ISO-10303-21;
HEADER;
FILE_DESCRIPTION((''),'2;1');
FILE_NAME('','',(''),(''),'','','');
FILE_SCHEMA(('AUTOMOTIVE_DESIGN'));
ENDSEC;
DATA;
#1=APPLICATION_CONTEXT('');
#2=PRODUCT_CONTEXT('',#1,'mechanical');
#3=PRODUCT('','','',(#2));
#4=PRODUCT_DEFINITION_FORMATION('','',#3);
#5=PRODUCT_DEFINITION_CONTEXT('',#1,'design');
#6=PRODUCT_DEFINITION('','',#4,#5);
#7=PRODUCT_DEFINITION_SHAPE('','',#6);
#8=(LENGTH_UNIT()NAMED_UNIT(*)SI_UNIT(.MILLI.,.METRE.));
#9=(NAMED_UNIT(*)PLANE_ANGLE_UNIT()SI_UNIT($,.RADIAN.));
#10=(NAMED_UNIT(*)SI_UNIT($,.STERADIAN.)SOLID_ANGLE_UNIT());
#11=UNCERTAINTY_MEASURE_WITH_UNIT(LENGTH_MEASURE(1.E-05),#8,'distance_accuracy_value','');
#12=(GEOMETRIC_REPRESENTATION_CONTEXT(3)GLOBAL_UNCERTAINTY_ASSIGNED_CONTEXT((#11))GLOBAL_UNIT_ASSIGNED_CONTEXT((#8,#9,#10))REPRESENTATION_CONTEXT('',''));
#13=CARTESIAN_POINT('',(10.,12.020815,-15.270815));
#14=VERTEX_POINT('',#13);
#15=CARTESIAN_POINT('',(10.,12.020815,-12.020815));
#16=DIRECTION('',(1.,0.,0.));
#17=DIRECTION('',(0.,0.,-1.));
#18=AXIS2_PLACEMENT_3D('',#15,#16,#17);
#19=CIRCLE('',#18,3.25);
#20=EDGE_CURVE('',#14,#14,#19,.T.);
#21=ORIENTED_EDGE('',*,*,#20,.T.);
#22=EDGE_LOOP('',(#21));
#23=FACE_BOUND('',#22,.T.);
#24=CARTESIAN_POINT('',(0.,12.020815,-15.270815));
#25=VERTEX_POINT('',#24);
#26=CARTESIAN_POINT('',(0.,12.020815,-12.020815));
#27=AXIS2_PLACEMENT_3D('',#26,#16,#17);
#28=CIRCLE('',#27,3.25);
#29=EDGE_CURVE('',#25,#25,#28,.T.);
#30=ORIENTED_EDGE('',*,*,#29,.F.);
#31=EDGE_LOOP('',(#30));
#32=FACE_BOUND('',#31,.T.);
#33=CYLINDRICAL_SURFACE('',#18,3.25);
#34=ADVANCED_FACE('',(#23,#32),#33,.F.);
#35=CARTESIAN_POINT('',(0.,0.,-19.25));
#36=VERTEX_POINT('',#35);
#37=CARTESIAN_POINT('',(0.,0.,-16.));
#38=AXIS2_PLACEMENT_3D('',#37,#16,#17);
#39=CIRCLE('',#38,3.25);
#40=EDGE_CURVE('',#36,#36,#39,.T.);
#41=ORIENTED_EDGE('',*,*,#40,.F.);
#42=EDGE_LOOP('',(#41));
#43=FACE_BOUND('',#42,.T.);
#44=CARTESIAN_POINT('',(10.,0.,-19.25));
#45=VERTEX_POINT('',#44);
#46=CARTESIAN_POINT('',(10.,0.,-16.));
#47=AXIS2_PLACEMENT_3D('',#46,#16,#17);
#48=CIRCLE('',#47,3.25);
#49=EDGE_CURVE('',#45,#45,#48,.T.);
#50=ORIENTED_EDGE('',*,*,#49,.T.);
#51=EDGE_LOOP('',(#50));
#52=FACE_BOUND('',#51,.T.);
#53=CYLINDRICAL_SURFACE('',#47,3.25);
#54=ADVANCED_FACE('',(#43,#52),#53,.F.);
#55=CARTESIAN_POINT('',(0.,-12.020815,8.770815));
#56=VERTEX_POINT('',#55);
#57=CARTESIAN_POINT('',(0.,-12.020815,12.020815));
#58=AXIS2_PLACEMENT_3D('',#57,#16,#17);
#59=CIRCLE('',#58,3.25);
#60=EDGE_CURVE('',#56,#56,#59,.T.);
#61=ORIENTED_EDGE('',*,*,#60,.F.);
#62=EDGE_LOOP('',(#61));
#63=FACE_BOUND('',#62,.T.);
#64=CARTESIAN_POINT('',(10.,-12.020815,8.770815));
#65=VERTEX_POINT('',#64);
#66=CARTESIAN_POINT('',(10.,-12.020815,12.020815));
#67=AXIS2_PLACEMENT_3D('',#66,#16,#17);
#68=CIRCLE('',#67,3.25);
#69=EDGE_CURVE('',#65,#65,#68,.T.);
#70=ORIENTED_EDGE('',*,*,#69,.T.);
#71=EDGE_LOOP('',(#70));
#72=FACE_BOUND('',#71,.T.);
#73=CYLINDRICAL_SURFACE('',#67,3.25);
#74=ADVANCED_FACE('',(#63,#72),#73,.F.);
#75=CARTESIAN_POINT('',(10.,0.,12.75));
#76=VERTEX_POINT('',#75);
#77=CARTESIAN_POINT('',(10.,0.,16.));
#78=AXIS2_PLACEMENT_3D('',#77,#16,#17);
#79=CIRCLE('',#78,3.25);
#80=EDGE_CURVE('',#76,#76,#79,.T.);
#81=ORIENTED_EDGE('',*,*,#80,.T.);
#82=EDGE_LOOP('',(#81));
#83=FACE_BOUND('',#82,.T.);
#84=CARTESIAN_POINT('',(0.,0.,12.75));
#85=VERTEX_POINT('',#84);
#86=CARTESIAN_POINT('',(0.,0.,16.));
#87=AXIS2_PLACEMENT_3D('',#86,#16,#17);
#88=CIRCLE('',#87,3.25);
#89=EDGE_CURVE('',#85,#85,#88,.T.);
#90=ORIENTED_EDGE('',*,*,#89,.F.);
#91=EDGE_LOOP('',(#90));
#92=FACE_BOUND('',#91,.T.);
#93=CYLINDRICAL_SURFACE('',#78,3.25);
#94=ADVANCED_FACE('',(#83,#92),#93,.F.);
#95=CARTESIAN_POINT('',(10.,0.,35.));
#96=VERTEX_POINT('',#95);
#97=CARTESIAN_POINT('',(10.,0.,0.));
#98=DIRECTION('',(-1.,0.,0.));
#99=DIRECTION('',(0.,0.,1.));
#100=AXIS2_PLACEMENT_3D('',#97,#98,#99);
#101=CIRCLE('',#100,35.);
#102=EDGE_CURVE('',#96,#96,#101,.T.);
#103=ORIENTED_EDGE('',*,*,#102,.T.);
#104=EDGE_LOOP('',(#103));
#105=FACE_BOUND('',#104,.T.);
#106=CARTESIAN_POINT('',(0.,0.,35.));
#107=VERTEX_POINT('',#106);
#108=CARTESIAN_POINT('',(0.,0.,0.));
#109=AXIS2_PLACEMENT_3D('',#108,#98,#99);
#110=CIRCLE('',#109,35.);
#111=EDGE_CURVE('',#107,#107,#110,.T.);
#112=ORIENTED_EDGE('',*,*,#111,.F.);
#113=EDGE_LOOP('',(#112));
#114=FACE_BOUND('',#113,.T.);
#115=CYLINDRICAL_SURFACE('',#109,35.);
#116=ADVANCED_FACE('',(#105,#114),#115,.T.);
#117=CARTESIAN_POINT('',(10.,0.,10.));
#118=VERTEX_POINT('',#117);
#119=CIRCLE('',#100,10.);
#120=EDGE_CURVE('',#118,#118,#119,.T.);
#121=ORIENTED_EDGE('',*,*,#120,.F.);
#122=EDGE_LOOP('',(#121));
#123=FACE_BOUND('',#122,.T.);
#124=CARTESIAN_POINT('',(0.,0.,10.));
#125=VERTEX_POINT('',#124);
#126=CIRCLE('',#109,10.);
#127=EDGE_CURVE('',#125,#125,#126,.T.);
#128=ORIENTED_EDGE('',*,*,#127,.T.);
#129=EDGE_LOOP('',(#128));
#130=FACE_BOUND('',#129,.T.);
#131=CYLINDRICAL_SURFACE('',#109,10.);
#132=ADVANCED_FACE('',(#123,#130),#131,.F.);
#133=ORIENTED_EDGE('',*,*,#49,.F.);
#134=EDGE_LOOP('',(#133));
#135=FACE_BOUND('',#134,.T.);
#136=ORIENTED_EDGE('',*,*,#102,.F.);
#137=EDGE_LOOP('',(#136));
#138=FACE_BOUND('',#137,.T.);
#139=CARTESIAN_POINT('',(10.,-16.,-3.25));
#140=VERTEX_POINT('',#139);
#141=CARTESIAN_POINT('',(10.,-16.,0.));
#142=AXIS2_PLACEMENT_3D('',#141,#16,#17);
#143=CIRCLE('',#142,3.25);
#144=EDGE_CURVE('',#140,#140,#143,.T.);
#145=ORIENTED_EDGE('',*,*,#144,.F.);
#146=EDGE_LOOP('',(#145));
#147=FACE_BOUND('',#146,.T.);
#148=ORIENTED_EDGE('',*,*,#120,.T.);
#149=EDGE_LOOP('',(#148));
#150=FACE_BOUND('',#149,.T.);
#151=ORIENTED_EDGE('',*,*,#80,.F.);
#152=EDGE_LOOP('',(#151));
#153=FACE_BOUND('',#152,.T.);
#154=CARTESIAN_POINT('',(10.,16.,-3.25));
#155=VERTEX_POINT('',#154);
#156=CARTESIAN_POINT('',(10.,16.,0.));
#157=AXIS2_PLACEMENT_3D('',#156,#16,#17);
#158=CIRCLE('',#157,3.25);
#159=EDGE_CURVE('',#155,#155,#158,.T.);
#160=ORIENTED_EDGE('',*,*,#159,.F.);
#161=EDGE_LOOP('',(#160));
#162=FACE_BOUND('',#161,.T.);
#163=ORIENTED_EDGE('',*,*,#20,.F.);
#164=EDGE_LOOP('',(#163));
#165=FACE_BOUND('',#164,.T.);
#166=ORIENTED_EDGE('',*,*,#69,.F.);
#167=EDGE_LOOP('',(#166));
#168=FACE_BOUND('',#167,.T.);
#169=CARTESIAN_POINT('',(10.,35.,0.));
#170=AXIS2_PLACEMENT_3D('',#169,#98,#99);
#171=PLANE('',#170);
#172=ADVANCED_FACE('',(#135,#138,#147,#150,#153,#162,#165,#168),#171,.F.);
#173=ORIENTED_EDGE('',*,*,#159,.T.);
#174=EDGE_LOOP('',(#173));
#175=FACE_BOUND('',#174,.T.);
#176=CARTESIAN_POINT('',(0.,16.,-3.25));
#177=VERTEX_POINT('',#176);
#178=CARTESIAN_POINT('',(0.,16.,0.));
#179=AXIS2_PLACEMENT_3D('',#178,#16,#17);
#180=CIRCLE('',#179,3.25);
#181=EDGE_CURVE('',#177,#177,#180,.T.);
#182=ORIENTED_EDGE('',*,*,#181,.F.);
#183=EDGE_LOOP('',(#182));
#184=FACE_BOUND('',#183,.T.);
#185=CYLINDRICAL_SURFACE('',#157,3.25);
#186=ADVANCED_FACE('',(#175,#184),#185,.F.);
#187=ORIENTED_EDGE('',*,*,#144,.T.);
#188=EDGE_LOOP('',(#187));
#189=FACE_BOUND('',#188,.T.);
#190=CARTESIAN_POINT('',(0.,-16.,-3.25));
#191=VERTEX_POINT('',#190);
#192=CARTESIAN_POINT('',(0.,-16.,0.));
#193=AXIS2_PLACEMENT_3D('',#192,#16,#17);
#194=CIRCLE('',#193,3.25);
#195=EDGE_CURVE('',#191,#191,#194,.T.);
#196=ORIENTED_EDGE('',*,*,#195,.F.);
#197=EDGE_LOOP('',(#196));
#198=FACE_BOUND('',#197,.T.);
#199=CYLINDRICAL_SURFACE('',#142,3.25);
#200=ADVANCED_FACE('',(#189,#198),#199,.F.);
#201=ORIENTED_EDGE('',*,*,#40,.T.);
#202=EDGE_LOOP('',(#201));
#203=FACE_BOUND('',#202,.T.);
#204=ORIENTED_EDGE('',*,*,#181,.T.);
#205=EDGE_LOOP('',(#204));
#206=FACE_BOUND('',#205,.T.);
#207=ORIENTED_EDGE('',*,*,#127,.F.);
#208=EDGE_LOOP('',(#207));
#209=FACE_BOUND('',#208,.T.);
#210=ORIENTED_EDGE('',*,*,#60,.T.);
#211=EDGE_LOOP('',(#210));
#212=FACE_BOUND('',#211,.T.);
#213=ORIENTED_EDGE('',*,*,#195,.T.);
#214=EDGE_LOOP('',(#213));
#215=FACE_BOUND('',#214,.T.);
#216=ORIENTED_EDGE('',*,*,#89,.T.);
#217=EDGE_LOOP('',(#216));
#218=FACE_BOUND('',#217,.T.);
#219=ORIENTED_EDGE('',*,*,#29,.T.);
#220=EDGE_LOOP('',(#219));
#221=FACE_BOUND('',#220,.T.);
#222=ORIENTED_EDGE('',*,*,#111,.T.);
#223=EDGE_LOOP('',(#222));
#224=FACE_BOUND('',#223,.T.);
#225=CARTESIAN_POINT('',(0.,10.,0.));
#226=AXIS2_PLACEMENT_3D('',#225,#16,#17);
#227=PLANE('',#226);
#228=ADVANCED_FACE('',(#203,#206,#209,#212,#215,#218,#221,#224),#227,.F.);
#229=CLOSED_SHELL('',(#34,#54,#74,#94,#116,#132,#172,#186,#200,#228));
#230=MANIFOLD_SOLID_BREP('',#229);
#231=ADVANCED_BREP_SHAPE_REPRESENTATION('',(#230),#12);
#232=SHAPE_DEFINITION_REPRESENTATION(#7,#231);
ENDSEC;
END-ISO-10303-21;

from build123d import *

# Parameters (mm, degrees)
SKETCH1_W        = 10
SKETCH1_H        = 25
DIAMETER_HOLE1_D = 6.5
DIAMETER_HOLE2_D = 6.5


with BuildPart() as part:
    # Sketch1 → Revolve1 (revolve)
    with BuildSketch(Plane.XY, mode=Mode.PRIVATE) as revolve1_sk:
        with Locations((5, 22.5)):
            Rectangle(SKETCH1_W, SKETCH1_H)
    revolve(revolve1_sk.sketch.rotate(Axis((0, 0, 0), (1, 0, 0)), 90), axis=Axis((0, 0, 0), (1, 0, 0)))

    # Diameter Hole1 (through all)
    with Locations(Plane(origin=(10, 0, 0), x_dir=(0, 0, -1), z_dir=(1, 0, 0))):
        with Locations((-16, 0), (0, 16), (16, 0), (0, -16)):
            Hole(DIAMETER_HOLE1_D / 2)

    # Diameter Hole2 (through all)
    with Locations(Plane(origin=(10, 0, 0), x_dir=(0, 0, -1), z_dir=(1, 0, 0))):
        with Locations((-12.02081528, -12.02081528), (12.02081528, 12.02081528)):
            Hole(DIAMETER_HOLE2_D / 2)


solid = part.part
